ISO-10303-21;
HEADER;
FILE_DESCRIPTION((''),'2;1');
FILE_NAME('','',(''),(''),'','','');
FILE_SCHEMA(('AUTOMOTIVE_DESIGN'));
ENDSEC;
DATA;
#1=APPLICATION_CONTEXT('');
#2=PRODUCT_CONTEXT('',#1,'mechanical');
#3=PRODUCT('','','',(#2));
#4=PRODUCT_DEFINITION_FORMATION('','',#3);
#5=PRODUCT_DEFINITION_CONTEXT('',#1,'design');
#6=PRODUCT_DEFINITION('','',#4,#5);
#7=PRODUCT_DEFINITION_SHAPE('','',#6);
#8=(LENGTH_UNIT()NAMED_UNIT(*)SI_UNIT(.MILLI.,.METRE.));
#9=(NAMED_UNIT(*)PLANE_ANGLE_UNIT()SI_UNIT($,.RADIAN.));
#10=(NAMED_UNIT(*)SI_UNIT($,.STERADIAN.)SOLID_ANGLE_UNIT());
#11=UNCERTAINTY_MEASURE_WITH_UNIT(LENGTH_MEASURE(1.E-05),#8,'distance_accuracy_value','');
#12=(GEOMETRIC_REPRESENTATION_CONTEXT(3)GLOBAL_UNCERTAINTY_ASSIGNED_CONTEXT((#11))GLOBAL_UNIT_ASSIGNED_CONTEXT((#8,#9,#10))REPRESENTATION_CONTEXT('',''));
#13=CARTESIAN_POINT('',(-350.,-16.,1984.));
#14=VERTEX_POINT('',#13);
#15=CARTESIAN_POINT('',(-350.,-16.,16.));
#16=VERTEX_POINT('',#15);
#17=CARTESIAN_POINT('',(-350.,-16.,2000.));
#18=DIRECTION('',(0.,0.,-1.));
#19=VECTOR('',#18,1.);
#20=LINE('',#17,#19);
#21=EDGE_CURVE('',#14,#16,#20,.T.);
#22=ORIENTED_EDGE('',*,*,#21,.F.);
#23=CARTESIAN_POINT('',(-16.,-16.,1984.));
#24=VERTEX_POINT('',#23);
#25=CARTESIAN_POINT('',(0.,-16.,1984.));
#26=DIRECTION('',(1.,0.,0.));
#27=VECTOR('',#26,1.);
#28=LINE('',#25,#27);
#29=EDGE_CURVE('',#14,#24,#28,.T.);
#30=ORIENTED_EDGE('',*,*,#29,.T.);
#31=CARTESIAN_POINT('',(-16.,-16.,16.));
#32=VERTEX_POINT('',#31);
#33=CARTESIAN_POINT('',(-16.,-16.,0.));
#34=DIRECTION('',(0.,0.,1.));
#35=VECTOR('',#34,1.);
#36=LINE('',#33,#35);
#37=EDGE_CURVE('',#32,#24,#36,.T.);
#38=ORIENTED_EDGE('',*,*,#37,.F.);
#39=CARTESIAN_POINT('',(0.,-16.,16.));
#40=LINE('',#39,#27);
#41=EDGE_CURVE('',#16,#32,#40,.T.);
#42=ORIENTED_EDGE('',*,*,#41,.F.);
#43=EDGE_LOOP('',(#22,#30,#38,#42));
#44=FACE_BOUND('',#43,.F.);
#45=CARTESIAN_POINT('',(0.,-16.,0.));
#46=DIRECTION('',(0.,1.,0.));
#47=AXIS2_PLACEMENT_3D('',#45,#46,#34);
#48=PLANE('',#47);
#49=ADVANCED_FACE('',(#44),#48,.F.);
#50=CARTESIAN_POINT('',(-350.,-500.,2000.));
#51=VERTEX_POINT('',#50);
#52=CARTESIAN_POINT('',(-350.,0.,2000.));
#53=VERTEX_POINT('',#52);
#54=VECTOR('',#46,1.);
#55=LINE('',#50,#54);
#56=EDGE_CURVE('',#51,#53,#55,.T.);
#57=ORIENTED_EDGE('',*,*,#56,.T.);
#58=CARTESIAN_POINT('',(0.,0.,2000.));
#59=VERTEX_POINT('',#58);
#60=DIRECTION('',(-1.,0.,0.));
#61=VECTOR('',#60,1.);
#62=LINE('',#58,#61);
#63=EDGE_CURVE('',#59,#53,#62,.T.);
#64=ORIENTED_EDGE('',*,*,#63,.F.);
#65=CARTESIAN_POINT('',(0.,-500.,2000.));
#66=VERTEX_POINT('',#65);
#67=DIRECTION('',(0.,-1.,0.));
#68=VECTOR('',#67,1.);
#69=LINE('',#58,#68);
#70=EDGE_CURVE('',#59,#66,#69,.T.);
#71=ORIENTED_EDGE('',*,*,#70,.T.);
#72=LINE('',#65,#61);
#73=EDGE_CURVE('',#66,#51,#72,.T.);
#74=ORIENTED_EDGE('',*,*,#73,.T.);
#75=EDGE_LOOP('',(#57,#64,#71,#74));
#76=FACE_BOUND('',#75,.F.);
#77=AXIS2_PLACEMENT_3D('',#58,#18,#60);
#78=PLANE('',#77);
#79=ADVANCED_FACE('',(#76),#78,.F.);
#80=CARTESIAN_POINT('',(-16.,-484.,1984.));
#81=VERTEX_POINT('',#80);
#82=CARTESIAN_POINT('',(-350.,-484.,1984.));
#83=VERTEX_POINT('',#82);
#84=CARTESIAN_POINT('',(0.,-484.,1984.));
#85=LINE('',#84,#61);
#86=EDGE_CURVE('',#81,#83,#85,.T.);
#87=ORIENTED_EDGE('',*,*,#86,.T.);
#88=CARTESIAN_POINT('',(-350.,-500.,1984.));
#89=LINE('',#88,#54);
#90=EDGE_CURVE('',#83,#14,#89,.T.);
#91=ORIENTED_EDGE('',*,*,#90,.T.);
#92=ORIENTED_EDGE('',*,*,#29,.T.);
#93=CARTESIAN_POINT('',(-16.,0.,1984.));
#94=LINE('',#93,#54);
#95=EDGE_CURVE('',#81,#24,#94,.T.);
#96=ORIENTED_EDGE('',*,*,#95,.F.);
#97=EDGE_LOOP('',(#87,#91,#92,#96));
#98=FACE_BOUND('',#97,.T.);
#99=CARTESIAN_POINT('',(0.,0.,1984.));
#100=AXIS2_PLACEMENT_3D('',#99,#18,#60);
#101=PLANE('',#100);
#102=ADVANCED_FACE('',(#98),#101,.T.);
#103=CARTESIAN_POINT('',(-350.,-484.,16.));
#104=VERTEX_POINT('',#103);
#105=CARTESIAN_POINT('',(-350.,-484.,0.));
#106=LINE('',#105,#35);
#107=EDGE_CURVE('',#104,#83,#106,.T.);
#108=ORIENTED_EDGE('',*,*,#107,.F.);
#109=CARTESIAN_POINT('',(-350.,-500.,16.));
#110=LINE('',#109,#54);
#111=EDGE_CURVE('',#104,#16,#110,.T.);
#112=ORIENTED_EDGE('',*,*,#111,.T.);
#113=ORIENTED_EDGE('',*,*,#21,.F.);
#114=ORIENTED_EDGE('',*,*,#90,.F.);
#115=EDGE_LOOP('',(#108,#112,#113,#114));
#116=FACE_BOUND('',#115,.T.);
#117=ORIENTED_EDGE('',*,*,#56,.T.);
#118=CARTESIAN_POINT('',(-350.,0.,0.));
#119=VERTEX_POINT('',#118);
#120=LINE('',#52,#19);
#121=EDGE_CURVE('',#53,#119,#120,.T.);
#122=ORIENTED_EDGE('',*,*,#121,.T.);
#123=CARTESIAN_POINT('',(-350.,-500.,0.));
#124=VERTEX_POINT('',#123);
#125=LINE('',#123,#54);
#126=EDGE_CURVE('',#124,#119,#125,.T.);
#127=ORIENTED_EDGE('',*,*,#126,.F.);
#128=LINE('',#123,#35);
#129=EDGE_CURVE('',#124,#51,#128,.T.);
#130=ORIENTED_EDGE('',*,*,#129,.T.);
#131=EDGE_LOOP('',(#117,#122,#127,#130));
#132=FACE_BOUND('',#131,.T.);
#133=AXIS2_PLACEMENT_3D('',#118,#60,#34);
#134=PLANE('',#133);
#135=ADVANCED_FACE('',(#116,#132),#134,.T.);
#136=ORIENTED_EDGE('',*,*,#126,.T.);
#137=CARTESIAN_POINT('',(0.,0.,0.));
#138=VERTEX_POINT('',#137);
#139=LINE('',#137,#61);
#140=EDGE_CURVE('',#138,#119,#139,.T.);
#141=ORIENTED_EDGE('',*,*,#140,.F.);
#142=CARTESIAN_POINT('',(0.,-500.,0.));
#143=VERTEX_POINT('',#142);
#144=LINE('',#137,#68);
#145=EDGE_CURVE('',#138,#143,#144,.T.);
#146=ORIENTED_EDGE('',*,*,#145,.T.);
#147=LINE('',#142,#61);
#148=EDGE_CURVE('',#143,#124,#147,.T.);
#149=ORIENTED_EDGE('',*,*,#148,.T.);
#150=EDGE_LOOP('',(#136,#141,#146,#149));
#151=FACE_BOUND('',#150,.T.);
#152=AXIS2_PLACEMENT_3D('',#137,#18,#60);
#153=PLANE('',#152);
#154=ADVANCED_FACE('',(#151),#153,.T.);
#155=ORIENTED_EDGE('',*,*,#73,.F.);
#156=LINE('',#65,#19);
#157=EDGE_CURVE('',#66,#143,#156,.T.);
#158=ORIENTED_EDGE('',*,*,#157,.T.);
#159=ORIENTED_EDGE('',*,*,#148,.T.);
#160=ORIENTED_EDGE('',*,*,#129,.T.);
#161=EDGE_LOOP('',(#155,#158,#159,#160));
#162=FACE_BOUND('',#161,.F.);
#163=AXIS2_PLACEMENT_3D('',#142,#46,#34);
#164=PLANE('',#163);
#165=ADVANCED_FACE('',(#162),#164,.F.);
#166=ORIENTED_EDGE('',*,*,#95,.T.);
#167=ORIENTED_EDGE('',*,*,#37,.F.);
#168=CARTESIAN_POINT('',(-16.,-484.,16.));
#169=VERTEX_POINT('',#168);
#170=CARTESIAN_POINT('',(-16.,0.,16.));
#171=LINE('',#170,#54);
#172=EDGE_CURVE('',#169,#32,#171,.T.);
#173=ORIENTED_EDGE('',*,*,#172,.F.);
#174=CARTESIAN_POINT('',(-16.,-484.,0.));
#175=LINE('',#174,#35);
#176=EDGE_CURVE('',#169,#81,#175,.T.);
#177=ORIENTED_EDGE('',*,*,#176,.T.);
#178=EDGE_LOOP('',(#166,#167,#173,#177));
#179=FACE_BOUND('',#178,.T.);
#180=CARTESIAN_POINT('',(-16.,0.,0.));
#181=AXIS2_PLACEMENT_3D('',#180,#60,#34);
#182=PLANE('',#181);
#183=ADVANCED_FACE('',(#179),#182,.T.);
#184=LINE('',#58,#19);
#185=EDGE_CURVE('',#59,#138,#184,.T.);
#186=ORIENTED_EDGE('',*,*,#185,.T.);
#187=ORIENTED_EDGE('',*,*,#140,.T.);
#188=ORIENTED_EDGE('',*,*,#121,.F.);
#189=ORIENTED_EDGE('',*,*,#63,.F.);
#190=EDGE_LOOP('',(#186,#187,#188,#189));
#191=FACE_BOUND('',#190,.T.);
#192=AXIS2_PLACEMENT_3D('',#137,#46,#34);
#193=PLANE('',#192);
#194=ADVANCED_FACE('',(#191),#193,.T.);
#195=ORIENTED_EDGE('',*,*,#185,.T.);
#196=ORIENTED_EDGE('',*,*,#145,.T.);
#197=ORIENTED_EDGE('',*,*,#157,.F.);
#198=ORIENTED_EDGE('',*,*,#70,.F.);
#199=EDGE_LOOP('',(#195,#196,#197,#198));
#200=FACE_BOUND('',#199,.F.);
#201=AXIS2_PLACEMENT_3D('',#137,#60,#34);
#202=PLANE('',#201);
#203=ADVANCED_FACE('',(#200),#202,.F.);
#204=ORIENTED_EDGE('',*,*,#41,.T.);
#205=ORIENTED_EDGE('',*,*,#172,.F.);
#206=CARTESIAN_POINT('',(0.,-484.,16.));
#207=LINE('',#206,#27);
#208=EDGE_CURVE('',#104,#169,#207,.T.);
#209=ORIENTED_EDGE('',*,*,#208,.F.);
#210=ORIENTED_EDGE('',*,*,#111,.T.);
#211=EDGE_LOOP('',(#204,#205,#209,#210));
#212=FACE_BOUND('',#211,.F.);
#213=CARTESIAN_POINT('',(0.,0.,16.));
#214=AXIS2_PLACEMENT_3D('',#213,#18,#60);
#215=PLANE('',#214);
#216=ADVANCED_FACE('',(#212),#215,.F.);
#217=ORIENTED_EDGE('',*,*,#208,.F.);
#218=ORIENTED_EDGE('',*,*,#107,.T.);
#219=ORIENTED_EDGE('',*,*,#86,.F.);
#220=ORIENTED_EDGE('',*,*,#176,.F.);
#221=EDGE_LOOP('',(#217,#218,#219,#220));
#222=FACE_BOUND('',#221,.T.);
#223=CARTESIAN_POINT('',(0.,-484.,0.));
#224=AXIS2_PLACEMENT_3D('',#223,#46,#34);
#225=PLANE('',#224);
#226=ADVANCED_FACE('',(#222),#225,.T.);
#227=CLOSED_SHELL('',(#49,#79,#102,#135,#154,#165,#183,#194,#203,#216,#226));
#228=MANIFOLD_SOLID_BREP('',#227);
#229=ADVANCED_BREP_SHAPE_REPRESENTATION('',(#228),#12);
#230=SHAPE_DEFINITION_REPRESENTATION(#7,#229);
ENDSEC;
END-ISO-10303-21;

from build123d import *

# Parameters (mm, degrees)
F0_W     = 45.8271801472
F0_H     = 53.0440360308
F1_DEPTH = 350
F2_DEPTH = 500
F3_DEPTH = 2000
F4_T     = -16


with BuildPart() as f1:
    # F0 (on Right) → F1 (new body)
    with BuildSketch(Plane.YZ):
        with Locations((-22.9135900736, 26.5220180154)):
            Rectangle(F0_W, F0_H)
    extrude(amount=-F1_DEPTH)

    # F2 (add): a face of the model
    f2_faces = [f1.faces().sort_by_distance(p)[0] for p in [
        (-175, 0, 26.5220180154),
    ]]
    extrude(f2_faces, amount=-F2_DEPTH)

    # F3 (add): a face of the model
    f3_faces = [f1.faces().sort_by_distance(p)[0] for p in [
        (-175, -250, 0),
    ]]
    extrude(f3_faces, amount=-F3_DEPTH)

    # F4
    f4_openings = [f1.faces().sort_by_distance(p)[0] for p in [
        (-350, -250, 1000),
    ]]
    offset(amount=F4_T, openings=f4_openings)


solid = f1.part
